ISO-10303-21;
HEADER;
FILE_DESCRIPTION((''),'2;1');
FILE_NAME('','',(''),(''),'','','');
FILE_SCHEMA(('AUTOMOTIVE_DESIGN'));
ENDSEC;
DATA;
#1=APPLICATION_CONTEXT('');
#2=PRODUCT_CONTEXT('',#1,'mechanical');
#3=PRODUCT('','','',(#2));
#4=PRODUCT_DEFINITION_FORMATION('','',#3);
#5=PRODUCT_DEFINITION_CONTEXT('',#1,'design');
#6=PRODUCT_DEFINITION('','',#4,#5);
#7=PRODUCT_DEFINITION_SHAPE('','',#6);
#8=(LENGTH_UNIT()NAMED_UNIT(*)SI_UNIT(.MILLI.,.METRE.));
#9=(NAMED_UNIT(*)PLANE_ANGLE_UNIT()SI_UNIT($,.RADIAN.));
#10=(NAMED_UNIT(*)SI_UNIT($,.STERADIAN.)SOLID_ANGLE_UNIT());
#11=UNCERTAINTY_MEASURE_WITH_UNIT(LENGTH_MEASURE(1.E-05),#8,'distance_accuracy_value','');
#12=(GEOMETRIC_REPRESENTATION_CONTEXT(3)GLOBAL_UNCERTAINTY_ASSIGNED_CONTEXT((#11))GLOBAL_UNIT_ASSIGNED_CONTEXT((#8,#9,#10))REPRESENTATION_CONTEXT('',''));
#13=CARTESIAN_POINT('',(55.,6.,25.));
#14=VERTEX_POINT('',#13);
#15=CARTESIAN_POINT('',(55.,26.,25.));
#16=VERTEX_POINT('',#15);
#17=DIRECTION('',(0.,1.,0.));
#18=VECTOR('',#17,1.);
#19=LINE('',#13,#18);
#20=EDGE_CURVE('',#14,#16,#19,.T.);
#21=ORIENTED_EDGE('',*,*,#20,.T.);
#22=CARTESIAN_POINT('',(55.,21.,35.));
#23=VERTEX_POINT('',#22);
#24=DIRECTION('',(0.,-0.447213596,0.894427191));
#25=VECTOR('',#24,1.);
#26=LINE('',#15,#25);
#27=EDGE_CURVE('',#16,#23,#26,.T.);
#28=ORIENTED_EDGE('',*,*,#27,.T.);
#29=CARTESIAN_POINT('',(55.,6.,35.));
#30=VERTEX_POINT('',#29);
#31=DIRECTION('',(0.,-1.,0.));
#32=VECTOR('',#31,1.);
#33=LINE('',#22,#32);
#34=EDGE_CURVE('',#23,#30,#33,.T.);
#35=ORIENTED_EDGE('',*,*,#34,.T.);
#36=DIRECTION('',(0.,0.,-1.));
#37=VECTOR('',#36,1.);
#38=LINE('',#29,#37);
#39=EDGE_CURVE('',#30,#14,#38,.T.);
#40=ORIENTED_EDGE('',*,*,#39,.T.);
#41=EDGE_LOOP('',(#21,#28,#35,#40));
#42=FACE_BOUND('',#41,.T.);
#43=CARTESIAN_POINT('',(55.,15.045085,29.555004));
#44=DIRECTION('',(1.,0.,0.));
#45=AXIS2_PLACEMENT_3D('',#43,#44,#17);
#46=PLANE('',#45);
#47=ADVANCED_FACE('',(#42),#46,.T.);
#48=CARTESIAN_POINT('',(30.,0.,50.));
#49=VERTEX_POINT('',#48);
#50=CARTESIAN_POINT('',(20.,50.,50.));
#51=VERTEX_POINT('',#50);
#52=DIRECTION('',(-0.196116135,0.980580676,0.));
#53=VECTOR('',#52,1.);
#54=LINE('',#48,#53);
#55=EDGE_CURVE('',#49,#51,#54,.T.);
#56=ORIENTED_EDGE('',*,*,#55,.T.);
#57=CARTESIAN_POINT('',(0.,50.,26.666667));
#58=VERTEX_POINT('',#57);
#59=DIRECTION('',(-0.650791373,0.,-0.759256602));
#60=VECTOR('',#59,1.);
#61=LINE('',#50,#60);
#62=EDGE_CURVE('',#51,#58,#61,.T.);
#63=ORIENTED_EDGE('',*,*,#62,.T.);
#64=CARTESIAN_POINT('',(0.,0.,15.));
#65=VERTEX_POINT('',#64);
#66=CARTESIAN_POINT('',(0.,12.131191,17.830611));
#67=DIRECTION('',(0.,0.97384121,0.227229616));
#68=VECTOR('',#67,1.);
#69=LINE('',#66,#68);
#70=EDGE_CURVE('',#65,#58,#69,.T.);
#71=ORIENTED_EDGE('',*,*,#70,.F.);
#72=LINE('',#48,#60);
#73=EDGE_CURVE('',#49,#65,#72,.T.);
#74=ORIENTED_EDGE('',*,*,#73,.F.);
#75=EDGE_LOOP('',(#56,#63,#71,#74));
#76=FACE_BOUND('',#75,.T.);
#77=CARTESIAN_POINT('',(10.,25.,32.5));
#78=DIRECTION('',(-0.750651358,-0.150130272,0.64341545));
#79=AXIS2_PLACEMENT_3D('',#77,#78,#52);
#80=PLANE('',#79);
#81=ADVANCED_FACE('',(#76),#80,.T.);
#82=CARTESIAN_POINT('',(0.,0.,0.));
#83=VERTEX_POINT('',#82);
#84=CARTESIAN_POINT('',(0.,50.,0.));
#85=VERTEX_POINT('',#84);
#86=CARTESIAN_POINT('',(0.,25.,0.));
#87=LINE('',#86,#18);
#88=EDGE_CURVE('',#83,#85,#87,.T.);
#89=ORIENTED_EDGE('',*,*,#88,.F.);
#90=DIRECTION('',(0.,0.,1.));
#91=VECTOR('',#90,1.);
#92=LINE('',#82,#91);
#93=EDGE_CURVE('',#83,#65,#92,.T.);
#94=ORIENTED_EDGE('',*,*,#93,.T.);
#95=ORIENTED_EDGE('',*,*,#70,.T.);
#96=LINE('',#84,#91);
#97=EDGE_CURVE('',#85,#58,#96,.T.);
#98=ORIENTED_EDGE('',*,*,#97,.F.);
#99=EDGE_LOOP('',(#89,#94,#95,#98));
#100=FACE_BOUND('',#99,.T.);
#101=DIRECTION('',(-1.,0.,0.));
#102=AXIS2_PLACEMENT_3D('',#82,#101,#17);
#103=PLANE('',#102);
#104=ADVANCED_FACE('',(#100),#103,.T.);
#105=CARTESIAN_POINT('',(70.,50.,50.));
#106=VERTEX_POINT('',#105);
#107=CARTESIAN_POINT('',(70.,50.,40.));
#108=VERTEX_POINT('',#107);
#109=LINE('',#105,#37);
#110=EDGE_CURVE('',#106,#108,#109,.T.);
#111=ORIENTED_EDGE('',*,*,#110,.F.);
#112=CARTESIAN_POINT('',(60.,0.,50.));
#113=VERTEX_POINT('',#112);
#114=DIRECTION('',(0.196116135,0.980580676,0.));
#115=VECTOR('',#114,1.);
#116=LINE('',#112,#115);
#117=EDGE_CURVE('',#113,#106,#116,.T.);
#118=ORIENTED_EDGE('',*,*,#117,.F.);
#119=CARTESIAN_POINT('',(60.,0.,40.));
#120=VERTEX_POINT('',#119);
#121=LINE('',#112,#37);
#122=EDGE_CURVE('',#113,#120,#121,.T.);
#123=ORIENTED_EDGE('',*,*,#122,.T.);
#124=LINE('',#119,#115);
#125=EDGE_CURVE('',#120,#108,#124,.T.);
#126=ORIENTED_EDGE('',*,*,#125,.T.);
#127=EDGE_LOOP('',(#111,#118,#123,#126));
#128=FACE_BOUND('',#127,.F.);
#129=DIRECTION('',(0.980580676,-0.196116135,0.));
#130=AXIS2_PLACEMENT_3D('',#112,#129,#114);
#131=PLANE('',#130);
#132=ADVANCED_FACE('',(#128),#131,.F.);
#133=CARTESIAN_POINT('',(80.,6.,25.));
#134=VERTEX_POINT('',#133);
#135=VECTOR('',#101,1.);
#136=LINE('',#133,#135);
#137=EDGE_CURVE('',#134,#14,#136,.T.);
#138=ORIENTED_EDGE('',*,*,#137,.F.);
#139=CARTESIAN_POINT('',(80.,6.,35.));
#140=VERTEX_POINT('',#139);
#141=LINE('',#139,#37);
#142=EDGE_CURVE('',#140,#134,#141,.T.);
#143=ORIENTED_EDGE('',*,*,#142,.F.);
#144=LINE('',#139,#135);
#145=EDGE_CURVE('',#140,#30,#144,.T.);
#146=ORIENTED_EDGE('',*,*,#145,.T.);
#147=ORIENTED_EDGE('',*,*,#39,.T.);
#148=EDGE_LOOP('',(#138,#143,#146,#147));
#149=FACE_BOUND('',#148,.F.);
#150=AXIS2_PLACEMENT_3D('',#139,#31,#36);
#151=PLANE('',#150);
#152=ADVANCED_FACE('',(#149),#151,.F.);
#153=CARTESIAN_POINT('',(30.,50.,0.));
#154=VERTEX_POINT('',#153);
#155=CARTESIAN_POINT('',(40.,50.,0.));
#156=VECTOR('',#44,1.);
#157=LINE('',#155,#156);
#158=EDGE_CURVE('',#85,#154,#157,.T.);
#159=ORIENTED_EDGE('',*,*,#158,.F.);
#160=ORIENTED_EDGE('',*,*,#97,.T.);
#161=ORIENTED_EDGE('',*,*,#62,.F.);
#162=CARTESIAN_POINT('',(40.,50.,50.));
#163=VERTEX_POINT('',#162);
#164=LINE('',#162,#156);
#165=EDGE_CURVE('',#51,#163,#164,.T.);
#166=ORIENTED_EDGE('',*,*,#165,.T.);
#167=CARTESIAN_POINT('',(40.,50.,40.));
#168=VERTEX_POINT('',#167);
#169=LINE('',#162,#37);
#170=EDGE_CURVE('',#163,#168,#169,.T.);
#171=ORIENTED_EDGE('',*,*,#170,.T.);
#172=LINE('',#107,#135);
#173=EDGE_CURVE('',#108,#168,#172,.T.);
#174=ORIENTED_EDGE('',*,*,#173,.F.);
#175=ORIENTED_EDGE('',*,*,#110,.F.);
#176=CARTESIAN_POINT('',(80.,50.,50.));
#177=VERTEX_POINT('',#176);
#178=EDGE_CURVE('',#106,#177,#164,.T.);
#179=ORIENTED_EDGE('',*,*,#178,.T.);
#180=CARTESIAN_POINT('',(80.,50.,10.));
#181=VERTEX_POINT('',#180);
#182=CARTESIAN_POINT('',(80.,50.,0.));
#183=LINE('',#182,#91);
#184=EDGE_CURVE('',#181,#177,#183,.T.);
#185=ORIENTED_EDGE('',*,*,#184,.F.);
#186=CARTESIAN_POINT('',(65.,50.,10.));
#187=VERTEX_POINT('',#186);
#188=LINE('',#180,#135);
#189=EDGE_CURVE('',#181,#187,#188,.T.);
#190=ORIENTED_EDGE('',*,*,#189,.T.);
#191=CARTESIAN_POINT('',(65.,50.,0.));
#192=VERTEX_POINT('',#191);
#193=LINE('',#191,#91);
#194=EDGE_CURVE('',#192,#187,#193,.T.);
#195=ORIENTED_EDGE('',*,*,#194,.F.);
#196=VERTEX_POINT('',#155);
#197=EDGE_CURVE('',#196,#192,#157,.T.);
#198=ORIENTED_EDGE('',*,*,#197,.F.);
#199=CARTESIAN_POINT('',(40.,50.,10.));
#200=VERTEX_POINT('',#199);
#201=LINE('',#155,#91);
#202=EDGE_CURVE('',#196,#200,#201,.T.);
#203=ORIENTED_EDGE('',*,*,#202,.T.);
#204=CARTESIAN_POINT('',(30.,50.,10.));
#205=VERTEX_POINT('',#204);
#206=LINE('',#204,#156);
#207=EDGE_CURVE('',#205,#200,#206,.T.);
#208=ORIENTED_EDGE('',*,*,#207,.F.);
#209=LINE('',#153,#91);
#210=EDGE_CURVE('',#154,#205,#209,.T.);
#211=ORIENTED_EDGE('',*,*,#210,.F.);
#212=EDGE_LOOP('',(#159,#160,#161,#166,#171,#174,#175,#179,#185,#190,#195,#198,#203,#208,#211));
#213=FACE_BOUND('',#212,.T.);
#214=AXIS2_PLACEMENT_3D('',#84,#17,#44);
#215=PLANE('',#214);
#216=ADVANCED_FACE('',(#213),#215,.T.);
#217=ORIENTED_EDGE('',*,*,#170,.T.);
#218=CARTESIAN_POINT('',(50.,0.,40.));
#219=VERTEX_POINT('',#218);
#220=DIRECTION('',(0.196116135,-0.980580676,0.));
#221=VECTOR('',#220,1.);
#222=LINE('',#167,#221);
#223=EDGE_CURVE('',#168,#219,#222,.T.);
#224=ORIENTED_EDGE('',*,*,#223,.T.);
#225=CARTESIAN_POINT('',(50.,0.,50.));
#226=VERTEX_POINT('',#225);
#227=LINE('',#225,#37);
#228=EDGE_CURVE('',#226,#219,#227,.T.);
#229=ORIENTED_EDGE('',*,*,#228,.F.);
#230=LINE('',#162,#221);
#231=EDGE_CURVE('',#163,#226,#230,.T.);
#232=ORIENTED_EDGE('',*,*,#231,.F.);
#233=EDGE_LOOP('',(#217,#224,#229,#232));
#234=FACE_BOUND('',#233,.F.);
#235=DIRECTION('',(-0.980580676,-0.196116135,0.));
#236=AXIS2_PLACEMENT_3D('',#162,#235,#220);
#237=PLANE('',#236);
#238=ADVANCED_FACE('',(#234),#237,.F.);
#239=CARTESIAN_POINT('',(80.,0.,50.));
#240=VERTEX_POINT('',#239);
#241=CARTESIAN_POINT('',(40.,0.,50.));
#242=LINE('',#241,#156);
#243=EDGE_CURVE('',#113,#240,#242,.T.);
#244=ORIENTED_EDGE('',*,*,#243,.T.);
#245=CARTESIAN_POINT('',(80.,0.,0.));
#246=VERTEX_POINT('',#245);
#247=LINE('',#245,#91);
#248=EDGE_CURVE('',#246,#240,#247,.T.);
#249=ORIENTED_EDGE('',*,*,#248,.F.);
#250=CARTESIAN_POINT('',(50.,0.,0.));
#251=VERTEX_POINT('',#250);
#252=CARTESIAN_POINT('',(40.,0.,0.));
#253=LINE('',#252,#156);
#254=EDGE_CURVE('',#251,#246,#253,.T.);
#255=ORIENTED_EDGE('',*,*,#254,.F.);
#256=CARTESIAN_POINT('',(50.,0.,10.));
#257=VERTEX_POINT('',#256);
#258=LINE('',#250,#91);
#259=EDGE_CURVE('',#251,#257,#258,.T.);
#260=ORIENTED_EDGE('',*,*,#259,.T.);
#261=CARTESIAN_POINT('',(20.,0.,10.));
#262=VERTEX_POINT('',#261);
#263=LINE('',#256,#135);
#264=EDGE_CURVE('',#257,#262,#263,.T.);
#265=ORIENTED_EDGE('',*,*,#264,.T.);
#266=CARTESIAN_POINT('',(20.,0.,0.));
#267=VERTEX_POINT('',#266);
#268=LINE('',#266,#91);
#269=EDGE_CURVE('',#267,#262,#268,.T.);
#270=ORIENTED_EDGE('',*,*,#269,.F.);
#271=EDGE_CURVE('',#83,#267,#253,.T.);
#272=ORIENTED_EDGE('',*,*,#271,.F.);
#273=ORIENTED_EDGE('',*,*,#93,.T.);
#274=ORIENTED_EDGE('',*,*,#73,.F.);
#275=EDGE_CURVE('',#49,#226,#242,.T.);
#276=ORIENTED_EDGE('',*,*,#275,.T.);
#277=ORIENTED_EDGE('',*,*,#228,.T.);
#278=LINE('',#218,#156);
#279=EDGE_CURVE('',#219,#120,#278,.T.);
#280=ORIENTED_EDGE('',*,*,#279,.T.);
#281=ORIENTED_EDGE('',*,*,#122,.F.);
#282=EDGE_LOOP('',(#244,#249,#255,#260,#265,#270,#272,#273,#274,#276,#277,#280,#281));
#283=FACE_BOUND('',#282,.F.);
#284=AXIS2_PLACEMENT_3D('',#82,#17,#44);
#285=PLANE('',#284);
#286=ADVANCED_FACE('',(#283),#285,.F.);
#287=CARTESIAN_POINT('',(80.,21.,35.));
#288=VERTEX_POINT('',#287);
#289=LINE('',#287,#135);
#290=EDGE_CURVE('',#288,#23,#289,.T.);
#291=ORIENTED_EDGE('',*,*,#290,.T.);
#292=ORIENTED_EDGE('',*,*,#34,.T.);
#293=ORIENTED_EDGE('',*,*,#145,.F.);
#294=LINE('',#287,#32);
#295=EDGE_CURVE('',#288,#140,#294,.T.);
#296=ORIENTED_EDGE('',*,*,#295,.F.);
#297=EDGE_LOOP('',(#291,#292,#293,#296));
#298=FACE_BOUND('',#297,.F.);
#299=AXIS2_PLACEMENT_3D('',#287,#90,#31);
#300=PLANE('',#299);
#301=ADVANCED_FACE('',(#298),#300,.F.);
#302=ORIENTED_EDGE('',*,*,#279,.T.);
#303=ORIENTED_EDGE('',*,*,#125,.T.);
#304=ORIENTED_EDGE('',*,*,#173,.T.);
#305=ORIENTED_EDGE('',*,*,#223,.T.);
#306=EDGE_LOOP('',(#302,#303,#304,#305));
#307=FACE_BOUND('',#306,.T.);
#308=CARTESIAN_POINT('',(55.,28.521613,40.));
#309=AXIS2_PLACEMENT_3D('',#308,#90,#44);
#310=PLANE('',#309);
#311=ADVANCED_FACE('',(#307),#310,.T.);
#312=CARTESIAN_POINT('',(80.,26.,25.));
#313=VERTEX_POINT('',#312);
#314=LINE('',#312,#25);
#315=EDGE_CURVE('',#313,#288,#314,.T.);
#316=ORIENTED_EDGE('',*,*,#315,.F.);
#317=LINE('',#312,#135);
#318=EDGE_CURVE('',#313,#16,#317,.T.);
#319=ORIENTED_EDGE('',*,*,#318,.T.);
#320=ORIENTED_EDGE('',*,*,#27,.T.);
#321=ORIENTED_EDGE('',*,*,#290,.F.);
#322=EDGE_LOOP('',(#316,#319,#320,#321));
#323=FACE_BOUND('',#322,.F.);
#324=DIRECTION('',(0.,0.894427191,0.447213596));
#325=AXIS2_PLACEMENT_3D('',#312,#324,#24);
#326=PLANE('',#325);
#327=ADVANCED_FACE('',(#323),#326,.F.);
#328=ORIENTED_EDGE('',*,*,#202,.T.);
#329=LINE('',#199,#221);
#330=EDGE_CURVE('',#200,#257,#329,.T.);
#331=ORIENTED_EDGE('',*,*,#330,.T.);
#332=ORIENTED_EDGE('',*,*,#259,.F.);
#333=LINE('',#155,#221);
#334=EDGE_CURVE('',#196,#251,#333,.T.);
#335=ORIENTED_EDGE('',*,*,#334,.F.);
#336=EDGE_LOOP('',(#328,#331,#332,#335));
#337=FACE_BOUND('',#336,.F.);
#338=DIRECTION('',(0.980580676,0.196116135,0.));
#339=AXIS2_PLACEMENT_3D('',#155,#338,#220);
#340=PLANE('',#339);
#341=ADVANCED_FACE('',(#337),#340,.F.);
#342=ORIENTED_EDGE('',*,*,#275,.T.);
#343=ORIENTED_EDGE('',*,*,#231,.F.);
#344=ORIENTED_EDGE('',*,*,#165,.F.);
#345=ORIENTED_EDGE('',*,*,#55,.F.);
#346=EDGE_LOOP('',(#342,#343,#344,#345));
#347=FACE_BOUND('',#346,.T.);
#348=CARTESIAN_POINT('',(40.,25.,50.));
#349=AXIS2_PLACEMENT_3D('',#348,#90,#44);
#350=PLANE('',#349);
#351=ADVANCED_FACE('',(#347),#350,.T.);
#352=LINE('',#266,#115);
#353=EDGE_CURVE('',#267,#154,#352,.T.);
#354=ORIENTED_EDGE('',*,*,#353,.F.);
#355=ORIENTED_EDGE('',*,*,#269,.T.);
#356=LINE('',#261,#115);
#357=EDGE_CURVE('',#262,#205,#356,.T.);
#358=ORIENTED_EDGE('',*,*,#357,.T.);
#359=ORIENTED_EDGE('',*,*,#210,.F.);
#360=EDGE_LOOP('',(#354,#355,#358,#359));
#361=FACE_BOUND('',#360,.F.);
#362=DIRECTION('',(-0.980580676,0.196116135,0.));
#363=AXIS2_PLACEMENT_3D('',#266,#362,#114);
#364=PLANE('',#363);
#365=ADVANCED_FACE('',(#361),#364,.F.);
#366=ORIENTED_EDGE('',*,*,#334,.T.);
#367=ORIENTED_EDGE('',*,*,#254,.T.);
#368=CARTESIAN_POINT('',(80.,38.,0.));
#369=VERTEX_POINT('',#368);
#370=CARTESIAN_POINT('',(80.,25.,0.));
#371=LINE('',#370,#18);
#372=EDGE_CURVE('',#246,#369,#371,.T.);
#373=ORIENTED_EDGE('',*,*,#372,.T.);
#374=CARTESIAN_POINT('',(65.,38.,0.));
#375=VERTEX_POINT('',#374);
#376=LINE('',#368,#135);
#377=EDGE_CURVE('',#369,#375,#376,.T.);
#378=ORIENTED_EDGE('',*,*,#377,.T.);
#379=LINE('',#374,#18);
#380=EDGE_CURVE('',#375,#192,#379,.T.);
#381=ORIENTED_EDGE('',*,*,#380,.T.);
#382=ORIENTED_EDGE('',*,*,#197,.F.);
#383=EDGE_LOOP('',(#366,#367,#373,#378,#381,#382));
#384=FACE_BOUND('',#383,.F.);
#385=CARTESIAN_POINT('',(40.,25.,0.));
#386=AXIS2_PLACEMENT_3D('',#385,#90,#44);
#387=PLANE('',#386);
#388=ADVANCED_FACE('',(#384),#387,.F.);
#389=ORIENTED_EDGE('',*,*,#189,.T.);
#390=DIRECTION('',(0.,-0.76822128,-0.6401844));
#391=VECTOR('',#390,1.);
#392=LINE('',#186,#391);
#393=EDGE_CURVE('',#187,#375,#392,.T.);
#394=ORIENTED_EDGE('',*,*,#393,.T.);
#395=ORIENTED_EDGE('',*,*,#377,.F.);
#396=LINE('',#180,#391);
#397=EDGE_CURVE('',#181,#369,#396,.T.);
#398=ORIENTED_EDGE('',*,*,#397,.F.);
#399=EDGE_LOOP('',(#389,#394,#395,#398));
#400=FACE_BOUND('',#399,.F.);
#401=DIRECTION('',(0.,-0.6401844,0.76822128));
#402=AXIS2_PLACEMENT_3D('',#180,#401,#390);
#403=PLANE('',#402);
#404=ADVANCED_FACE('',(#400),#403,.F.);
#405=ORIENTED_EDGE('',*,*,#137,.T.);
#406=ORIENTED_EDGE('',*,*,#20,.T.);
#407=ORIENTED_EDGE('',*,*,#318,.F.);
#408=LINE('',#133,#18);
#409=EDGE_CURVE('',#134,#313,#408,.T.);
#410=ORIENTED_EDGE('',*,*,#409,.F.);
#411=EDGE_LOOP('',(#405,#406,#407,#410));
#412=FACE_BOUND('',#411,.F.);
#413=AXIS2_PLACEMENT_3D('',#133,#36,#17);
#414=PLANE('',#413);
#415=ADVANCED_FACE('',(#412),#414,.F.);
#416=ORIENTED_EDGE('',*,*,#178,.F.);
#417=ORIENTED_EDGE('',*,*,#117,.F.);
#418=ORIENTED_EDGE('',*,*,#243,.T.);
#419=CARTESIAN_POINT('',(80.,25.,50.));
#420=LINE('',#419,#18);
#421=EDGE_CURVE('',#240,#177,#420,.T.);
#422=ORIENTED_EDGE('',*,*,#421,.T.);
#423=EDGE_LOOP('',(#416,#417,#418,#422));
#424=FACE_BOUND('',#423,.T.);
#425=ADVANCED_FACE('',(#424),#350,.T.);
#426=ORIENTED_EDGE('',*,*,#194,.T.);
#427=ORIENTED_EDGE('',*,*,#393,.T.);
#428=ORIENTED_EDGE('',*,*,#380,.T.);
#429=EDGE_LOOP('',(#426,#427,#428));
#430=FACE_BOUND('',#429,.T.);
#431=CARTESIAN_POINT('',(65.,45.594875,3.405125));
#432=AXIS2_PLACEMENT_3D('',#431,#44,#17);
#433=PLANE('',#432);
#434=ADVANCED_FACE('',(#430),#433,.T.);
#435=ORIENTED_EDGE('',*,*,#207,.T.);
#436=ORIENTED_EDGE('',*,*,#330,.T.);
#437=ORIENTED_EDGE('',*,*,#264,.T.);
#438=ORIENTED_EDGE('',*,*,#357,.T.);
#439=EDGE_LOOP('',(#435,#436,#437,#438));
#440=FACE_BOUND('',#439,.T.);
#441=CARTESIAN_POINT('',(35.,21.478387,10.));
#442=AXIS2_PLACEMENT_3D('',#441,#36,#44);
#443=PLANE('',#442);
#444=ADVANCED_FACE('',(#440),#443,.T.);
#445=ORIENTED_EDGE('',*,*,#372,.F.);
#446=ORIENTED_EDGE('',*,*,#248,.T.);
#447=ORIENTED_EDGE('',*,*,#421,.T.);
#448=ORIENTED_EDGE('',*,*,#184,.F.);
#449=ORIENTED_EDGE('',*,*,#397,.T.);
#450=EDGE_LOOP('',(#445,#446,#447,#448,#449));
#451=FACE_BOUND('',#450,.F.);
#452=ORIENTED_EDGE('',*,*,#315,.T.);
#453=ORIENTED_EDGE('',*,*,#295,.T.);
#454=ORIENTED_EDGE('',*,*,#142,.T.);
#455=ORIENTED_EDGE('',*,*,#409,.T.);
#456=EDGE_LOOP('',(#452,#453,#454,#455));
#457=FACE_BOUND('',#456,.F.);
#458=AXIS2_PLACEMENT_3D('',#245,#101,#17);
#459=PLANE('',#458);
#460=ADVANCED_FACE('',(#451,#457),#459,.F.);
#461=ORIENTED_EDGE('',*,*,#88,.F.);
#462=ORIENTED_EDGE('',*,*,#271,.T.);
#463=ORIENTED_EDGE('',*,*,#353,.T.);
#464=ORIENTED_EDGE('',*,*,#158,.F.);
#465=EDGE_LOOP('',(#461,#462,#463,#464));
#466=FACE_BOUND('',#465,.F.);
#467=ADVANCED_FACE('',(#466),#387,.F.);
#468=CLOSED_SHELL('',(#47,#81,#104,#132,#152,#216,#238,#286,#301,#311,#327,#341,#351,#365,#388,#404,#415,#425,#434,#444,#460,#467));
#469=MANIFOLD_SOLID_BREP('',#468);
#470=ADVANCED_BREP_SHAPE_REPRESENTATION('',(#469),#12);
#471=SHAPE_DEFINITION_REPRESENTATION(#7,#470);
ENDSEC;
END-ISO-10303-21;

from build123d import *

# Parameters (mm, degrees)
F0_W     = 80
F0_H     = 50
F1_DEPTH = 50
F3_DEPTH = 10
F5_DEPTH = 10
F7_DEPTH = 25
F9_DEPTH = 15


with BuildPart() as f1:
    # F0 (on Top) → F1 (new body)
    with BuildSketch(Plane.XY):
        with Locations((40, 25)):
            Rectangle(F0_W, F0_H)
    extrude(amount=F1_DEPTH)

    # F2 (on face) → F3 (cut)
    with BuildSketch(Plane.XY.offset(50)):
        Polygon((60, 0), (70, 50), (40, 50), (50, 0), align=None)
    extrude(amount=-F3_DEPTH, mode=Mode.SUBTRACT)

    # F4 (on face) → F5 (cut)
    with BuildSketch(Plane(origin=(0, 0, 0), x_dir=(1, 0, 0), z_dir=(0, 0, -1))):
        Polygon((30, -50), (40, -50), (50, 0), (20, 0), align=None)
    extrude(amount=-F5_DEPTH, mode=Mode.SUBTRACT)

    # F6 (on face) → F7 (cut)
    with BuildSketch(Plane.YZ.offset(80)):
        Polygon((21, 35), (6, 35), (6, 25), (26, 25), align=None)
    extrude(amount=-F7_DEPTH, mode=Mode.SUBTRACT)

    # F8 (on face) → F9 (cut)
    with BuildSketch(Plane.YZ.offset(80)):
        Polygon((50, 0), (50, 10), (38, 0), align=None)
    extrude(amount=-F9_DEPTH, mode=Mode.SUBTRACT)

    # F12: sweep along a path in F11
    with BuildLine(Plane.XZ) as f12_path:
        Line((30, 50), (0, 15))
    # F10 (on face) → F12 (sweep, cut)
    with BuildSketch(Plane.XY.offset(50)):
        Polygon((30, 0), (20, 50), (0, 50), (0, 0), align=None)
    sweep(path=f12_path.line, mode=Mode.SUBTRACT)


solid = f1.part
